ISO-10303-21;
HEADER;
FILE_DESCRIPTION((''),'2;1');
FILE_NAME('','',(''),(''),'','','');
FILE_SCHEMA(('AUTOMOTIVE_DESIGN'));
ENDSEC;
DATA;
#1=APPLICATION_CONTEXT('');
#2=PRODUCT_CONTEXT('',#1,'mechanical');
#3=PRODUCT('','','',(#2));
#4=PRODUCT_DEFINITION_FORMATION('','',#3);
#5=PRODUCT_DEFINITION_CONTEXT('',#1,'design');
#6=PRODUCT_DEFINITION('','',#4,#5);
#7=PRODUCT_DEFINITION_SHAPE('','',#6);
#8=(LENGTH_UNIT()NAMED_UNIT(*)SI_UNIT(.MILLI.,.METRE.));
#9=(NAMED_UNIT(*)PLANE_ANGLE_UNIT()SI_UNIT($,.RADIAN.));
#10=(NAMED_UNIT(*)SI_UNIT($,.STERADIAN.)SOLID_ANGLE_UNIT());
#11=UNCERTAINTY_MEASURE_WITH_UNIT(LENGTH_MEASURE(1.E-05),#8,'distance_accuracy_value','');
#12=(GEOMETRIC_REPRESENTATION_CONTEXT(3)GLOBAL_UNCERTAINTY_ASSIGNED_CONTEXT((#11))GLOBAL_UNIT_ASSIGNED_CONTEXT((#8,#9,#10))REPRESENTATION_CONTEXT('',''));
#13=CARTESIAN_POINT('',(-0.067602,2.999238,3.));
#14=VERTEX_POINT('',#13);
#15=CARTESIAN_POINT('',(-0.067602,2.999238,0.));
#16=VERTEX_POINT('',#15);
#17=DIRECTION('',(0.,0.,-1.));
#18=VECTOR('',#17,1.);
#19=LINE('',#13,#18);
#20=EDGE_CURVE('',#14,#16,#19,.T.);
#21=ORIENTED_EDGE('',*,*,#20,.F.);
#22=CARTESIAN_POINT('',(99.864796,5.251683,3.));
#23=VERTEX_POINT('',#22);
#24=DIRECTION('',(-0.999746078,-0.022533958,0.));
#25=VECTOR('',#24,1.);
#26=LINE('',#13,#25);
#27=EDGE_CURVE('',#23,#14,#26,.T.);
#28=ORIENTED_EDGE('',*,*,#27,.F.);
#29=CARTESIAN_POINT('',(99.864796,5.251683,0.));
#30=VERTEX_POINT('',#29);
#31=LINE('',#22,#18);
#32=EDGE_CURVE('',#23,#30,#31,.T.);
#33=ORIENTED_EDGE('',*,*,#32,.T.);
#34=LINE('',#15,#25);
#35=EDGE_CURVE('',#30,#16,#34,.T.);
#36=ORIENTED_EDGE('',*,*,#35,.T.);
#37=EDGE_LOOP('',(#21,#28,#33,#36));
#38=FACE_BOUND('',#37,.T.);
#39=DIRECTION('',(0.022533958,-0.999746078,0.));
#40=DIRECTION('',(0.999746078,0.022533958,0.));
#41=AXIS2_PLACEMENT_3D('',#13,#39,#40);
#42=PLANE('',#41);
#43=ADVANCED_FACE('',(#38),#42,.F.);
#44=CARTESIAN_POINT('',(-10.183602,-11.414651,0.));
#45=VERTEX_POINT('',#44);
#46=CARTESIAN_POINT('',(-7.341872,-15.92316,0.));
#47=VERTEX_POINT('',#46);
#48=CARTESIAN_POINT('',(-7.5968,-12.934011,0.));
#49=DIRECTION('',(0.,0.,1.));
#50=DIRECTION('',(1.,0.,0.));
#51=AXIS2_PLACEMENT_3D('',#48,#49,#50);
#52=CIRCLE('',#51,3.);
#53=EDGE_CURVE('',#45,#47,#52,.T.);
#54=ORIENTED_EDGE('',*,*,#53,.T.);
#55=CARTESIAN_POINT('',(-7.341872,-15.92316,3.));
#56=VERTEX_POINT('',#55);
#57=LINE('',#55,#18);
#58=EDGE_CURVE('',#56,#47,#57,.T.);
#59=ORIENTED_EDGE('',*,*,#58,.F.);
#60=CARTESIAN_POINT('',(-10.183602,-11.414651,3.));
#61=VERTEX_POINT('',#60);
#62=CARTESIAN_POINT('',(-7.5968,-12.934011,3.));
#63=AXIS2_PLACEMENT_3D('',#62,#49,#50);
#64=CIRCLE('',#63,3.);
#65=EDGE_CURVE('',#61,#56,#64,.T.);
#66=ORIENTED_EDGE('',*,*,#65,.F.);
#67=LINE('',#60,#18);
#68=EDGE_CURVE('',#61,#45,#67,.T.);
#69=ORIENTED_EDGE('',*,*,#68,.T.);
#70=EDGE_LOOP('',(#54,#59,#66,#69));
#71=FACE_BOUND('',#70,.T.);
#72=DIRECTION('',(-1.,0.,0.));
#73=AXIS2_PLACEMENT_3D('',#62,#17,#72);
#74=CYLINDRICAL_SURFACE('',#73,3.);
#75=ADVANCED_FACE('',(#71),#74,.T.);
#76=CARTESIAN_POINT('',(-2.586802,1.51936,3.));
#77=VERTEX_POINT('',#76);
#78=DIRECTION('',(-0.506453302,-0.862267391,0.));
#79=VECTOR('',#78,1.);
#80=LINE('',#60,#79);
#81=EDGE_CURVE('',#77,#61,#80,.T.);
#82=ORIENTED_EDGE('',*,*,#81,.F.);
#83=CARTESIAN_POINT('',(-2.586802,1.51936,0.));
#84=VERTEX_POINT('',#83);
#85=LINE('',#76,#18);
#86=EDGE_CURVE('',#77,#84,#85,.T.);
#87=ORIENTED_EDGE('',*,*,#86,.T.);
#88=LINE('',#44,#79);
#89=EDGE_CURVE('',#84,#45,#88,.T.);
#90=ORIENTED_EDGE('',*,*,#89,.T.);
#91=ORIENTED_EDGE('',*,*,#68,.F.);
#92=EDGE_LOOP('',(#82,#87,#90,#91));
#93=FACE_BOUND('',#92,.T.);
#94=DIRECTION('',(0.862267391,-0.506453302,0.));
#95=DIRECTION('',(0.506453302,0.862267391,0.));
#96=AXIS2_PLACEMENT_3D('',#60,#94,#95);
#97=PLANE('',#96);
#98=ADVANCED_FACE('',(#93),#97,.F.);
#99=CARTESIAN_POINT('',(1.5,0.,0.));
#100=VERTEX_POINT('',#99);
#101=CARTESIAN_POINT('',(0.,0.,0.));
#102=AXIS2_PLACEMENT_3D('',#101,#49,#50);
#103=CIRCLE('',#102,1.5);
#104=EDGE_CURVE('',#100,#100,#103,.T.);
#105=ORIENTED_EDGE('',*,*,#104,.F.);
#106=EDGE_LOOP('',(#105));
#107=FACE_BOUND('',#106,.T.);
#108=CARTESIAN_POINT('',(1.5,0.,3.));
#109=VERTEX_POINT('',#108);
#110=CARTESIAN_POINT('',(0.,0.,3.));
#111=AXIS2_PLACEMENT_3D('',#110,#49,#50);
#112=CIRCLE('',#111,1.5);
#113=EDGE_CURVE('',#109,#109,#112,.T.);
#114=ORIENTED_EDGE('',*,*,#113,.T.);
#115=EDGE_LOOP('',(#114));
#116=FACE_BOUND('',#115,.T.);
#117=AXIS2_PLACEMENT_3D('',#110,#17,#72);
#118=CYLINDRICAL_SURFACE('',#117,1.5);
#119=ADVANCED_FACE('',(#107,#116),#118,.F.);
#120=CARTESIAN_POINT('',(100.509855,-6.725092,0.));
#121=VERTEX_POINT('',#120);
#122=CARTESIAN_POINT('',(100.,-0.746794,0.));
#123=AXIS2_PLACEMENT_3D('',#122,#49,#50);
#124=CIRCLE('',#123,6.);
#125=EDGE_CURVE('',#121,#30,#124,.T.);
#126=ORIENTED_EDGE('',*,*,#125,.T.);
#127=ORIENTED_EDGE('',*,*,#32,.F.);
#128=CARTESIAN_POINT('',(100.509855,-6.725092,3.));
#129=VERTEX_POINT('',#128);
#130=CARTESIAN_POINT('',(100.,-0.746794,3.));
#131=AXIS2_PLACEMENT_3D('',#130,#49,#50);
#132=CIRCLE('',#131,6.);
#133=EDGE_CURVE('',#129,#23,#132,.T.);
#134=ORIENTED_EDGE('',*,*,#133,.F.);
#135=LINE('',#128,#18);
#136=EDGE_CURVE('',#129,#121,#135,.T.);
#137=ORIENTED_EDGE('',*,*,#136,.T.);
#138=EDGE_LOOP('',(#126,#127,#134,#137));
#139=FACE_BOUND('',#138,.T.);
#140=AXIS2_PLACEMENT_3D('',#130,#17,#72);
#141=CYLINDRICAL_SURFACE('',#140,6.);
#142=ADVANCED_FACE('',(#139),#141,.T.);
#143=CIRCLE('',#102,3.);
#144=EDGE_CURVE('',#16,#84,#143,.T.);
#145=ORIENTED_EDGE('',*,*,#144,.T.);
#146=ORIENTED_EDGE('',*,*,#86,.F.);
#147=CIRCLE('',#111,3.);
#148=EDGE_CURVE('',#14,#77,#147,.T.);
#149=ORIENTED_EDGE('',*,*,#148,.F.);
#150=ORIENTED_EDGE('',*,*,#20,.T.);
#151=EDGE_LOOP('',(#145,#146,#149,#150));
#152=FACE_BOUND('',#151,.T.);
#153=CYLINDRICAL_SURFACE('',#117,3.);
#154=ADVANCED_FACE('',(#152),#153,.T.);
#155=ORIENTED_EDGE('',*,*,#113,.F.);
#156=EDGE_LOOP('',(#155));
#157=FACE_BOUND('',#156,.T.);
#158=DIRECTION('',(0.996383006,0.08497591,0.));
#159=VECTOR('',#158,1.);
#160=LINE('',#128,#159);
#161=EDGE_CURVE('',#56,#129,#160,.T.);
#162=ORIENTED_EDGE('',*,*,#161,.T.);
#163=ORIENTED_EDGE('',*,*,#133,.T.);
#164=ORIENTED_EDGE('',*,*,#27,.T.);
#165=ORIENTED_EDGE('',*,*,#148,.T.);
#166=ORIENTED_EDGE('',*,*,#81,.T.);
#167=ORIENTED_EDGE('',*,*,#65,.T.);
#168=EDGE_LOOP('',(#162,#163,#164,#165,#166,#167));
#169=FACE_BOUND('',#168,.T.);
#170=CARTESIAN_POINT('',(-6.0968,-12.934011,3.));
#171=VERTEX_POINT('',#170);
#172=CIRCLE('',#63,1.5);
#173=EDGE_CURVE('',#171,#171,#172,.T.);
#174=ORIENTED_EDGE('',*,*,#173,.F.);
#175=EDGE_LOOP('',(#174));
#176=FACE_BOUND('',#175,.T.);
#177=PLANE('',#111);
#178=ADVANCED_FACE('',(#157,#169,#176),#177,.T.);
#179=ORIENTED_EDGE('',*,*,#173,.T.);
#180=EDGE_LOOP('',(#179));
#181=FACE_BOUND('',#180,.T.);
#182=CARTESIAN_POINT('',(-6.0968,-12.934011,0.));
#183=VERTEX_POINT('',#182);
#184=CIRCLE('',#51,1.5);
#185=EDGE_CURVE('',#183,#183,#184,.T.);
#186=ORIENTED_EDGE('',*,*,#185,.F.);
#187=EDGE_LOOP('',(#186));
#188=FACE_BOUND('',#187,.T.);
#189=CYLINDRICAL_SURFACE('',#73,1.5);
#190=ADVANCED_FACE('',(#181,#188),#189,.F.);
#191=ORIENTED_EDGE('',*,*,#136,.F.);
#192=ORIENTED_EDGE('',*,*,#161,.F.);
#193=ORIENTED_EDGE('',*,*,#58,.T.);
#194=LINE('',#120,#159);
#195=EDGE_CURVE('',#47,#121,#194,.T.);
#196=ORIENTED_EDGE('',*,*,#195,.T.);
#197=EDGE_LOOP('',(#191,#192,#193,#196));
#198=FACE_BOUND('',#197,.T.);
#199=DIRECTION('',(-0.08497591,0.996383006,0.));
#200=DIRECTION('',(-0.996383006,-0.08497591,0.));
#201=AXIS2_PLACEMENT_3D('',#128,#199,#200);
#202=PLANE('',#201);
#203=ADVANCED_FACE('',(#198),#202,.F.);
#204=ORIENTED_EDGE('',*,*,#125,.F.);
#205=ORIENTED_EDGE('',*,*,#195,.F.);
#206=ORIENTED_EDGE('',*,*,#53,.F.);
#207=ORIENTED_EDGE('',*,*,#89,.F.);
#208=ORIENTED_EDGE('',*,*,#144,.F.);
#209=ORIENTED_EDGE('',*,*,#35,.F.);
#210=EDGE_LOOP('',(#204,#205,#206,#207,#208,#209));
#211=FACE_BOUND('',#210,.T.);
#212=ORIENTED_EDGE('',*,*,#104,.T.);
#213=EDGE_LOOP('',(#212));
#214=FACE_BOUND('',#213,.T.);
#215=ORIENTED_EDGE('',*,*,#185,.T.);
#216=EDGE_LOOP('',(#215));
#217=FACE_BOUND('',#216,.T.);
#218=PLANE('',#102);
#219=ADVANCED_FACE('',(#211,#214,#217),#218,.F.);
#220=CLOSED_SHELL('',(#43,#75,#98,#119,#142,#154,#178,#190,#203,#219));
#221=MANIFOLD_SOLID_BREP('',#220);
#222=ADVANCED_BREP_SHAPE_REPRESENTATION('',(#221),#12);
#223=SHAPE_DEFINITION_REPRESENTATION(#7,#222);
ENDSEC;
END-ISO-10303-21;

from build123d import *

# Parameters (mm, degrees)
SKETCH3_R           = 1.5
BOSS_EXTRUDE1_DEPTH = 3


with BuildPart() as part:
    # Sketch3 → Boss-Extrude1 (new body)
    with BuildSketch(Plane.XY):
        with BuildLine():
            Line((-10.183601696, -11.414650958), (-2.586802173, 1.519359905))
            ThreePointArc((-2.586802173, 1.519359905), (-1.519531237, 2.586701533), (-0.067601875, 2.999238234))
            Line((-0.067601875, 2.999238234), (99.864796249, 5.251682686))
            ThreePointArc((99.864796249, 5.251682686), (105.991316455, -0.424106412), (100.509855462, -6.725091819))
            Line((100.509855462, -6.725091819), (-7.341871793, -15.923159881))
            ThreePointArc((-7.341871793, -15.923159881), (-10.13472639, -14.533675584), (-10.183601696, -11.414650958))
        make_face()
        with Locations((-7.596799524, -12.934010863)):
            Circle(SKETCH3_R, mode=Mode.SUBTRACT)
        Circle(SKETCH3_R, mode=Mode.SUBTRACT)
    extrude(amount=BOSS_EXTRUDE1_DEPTH)


solid = part.part
